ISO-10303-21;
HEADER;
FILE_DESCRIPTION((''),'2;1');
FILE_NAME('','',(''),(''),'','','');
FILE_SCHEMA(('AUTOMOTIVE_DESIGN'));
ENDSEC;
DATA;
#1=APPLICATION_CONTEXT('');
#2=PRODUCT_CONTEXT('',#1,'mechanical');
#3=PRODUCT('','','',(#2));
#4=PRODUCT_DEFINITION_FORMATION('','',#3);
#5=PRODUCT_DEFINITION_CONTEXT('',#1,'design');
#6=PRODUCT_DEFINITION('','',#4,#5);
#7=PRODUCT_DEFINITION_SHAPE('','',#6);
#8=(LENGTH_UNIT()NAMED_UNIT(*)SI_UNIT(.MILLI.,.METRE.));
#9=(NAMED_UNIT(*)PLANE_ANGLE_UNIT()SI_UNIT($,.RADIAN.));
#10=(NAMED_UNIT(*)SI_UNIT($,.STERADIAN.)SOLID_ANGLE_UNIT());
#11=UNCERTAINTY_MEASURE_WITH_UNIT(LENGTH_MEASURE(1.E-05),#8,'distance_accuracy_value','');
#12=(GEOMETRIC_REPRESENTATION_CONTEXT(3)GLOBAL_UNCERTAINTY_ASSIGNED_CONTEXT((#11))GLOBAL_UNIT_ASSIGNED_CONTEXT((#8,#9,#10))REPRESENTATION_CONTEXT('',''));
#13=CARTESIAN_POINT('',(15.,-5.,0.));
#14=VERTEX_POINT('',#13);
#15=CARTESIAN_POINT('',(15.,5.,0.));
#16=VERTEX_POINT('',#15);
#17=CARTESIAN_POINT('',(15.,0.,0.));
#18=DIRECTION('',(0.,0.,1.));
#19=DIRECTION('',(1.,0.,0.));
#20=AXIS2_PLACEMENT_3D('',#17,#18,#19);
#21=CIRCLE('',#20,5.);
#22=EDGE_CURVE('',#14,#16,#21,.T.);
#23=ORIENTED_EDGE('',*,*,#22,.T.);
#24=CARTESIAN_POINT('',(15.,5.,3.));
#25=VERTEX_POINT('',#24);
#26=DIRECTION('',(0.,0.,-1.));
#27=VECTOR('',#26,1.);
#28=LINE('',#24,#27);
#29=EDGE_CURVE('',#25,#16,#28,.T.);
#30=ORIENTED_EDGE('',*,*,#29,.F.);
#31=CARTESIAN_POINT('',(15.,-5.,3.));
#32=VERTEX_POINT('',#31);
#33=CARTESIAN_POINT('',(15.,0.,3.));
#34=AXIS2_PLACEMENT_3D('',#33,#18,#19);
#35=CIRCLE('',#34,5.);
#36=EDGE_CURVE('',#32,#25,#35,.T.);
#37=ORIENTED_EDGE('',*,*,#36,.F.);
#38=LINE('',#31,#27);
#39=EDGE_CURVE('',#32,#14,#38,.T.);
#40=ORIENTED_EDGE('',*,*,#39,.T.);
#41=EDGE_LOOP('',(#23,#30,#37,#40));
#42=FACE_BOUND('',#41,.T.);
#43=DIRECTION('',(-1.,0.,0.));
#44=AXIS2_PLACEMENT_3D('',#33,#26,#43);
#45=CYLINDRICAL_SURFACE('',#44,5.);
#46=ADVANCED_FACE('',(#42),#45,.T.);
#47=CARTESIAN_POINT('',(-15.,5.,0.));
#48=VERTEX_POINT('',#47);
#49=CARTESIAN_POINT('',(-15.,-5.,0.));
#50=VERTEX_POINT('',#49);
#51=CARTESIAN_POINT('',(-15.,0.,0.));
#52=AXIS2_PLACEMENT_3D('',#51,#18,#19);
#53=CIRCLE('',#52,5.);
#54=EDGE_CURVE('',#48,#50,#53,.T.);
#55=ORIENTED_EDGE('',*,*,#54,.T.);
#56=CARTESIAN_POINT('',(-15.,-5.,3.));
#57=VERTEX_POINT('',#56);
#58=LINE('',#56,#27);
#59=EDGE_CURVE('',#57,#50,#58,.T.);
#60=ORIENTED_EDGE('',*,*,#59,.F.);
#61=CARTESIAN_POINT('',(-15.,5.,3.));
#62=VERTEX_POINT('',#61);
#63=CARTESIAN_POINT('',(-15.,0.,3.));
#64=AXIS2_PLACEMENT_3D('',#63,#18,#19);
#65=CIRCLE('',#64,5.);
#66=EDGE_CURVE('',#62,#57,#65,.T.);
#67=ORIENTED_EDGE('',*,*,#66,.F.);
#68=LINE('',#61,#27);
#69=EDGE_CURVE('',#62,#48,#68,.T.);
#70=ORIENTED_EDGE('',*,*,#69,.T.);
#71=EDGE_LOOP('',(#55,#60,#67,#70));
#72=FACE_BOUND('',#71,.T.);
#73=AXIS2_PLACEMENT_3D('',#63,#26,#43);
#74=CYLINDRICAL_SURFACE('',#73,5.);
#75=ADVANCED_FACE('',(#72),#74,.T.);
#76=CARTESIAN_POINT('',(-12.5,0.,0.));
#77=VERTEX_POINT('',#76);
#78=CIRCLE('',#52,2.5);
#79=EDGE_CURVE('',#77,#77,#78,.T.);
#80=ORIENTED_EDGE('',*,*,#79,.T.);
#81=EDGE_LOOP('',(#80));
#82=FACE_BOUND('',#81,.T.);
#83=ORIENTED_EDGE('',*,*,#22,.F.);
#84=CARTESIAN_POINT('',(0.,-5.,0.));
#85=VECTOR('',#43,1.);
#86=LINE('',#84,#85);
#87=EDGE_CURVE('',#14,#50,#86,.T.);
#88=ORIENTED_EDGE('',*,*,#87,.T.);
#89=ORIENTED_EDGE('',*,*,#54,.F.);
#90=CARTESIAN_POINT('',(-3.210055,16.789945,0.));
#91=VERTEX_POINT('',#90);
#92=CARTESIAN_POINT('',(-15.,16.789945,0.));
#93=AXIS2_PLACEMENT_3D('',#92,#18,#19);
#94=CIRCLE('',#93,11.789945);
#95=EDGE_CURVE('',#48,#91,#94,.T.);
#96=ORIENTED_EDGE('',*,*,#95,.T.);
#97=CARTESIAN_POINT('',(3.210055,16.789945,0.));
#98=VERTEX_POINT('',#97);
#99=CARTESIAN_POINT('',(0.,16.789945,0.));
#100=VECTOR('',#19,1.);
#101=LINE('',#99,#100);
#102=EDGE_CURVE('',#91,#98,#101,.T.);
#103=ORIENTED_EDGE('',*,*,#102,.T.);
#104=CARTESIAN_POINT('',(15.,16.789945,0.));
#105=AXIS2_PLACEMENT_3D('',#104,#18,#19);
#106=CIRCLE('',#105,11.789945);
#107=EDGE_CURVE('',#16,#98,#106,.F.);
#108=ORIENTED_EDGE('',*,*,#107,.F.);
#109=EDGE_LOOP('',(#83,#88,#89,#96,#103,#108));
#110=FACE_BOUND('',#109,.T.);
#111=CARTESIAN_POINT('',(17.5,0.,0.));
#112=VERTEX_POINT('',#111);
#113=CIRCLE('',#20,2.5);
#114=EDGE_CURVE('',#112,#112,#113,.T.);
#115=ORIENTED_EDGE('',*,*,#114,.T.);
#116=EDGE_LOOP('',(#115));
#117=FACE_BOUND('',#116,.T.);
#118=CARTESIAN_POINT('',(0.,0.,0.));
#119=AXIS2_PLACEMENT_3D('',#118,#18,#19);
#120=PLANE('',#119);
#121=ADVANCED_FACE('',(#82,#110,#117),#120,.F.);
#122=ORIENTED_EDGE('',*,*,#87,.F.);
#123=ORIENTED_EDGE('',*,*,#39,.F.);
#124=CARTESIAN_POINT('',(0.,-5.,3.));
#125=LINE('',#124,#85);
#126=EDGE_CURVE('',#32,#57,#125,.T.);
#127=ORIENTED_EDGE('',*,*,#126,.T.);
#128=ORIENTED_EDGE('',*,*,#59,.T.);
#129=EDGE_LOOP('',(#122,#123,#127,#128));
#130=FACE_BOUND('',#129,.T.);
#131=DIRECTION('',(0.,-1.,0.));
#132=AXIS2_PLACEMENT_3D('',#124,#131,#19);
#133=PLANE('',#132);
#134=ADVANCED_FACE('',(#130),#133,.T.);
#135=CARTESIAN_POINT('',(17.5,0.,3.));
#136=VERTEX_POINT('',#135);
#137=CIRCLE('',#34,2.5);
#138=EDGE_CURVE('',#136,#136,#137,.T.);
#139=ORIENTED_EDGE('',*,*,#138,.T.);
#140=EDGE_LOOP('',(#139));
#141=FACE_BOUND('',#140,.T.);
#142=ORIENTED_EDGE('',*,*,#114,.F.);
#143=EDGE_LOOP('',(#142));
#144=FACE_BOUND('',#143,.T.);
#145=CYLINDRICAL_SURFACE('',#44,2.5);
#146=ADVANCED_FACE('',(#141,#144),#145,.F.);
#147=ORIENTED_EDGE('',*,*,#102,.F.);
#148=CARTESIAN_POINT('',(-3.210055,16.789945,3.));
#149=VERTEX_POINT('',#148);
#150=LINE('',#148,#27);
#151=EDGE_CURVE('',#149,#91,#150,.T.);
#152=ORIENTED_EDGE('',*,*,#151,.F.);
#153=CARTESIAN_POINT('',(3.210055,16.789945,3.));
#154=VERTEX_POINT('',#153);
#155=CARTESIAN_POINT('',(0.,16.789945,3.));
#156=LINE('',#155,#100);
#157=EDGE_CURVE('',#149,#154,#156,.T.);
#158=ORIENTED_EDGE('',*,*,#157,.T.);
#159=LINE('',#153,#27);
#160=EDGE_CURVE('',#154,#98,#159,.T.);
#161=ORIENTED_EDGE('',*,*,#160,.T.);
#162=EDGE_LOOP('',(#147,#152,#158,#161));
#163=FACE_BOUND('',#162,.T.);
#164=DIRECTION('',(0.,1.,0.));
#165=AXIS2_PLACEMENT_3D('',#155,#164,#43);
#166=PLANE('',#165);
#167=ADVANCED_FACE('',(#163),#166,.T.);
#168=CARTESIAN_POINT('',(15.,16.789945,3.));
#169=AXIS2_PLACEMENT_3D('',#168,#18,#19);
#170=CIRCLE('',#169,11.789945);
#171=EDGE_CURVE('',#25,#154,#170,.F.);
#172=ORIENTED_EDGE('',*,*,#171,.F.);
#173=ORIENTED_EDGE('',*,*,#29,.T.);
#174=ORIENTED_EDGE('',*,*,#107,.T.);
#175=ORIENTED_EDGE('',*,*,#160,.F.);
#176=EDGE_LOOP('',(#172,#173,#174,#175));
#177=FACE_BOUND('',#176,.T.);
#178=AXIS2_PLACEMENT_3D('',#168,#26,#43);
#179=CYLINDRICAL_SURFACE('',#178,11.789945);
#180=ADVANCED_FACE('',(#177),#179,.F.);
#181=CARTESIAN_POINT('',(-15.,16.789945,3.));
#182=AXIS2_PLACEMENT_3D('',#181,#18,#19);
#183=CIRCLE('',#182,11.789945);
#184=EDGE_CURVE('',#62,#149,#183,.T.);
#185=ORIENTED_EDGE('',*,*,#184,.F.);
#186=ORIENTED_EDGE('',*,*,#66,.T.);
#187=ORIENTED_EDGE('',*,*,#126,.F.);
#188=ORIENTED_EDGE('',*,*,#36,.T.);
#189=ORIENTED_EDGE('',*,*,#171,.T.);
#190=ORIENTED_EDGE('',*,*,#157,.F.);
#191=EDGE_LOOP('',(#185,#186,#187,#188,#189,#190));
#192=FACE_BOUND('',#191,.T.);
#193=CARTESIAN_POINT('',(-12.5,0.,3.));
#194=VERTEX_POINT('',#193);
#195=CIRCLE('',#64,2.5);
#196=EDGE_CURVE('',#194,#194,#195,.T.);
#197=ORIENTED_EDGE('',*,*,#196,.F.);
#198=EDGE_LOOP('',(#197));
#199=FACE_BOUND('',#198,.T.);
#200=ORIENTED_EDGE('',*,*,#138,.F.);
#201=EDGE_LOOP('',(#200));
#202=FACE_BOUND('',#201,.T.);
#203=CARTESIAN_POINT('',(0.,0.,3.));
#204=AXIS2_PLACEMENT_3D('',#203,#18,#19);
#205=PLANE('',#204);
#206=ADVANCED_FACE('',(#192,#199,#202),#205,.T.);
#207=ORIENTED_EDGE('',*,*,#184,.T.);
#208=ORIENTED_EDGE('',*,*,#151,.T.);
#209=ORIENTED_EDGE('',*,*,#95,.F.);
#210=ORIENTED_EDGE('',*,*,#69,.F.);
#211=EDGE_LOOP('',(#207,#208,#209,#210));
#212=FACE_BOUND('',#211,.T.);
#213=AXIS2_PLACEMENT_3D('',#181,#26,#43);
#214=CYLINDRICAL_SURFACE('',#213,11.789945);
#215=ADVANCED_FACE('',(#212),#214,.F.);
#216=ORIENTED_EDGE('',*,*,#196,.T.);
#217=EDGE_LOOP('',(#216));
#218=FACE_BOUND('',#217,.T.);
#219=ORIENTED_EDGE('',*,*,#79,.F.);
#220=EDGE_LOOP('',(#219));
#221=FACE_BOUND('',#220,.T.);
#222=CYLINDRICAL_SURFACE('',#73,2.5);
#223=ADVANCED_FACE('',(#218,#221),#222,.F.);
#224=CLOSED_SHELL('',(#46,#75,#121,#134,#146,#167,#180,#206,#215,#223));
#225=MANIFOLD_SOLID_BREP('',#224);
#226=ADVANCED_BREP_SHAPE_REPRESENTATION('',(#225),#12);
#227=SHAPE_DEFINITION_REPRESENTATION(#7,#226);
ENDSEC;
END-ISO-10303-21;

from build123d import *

# Parameters (mm, degrees)
SKETCH1_R           = 2.5
BOSS_EXTRUDE1_DEPTH = 3


with BuildPart() as part:
    # Sketch1 → Boss-Extrude1 (new body)
    with BuildSketch(Plane.XY):
        with BuildLine():
            Line((15, -5), (-15, -5))
            ThreePointArc((-15, -5), (-20, 0), (-15, 5))
            ThreePointArc((-15, 5), (-6.663249624, 8.453195072), (-3.210054553, 16.789945447))
            Line((-3.210054553, 16.789945447), (3.210054553, 16.789945447))
            ThreePointArc((3.210054553, 16.789945447), (6.663249624, 8.453195072), (15, 5))
            ThreePointArc((15, 5), (20, 0), (15, -5))
        make_face()
        with Locations((-15, 0)):
            Circle(SKETCH1_R, mode=Mode.SUBTRACT)
        with Locations((15, 0)):
            Circle(SKETCH1_R, mode=Mode.SUBTRACT)
    extrude(amount=BOSS_EXTRUDE1_DEPTH)


solid = part.part
